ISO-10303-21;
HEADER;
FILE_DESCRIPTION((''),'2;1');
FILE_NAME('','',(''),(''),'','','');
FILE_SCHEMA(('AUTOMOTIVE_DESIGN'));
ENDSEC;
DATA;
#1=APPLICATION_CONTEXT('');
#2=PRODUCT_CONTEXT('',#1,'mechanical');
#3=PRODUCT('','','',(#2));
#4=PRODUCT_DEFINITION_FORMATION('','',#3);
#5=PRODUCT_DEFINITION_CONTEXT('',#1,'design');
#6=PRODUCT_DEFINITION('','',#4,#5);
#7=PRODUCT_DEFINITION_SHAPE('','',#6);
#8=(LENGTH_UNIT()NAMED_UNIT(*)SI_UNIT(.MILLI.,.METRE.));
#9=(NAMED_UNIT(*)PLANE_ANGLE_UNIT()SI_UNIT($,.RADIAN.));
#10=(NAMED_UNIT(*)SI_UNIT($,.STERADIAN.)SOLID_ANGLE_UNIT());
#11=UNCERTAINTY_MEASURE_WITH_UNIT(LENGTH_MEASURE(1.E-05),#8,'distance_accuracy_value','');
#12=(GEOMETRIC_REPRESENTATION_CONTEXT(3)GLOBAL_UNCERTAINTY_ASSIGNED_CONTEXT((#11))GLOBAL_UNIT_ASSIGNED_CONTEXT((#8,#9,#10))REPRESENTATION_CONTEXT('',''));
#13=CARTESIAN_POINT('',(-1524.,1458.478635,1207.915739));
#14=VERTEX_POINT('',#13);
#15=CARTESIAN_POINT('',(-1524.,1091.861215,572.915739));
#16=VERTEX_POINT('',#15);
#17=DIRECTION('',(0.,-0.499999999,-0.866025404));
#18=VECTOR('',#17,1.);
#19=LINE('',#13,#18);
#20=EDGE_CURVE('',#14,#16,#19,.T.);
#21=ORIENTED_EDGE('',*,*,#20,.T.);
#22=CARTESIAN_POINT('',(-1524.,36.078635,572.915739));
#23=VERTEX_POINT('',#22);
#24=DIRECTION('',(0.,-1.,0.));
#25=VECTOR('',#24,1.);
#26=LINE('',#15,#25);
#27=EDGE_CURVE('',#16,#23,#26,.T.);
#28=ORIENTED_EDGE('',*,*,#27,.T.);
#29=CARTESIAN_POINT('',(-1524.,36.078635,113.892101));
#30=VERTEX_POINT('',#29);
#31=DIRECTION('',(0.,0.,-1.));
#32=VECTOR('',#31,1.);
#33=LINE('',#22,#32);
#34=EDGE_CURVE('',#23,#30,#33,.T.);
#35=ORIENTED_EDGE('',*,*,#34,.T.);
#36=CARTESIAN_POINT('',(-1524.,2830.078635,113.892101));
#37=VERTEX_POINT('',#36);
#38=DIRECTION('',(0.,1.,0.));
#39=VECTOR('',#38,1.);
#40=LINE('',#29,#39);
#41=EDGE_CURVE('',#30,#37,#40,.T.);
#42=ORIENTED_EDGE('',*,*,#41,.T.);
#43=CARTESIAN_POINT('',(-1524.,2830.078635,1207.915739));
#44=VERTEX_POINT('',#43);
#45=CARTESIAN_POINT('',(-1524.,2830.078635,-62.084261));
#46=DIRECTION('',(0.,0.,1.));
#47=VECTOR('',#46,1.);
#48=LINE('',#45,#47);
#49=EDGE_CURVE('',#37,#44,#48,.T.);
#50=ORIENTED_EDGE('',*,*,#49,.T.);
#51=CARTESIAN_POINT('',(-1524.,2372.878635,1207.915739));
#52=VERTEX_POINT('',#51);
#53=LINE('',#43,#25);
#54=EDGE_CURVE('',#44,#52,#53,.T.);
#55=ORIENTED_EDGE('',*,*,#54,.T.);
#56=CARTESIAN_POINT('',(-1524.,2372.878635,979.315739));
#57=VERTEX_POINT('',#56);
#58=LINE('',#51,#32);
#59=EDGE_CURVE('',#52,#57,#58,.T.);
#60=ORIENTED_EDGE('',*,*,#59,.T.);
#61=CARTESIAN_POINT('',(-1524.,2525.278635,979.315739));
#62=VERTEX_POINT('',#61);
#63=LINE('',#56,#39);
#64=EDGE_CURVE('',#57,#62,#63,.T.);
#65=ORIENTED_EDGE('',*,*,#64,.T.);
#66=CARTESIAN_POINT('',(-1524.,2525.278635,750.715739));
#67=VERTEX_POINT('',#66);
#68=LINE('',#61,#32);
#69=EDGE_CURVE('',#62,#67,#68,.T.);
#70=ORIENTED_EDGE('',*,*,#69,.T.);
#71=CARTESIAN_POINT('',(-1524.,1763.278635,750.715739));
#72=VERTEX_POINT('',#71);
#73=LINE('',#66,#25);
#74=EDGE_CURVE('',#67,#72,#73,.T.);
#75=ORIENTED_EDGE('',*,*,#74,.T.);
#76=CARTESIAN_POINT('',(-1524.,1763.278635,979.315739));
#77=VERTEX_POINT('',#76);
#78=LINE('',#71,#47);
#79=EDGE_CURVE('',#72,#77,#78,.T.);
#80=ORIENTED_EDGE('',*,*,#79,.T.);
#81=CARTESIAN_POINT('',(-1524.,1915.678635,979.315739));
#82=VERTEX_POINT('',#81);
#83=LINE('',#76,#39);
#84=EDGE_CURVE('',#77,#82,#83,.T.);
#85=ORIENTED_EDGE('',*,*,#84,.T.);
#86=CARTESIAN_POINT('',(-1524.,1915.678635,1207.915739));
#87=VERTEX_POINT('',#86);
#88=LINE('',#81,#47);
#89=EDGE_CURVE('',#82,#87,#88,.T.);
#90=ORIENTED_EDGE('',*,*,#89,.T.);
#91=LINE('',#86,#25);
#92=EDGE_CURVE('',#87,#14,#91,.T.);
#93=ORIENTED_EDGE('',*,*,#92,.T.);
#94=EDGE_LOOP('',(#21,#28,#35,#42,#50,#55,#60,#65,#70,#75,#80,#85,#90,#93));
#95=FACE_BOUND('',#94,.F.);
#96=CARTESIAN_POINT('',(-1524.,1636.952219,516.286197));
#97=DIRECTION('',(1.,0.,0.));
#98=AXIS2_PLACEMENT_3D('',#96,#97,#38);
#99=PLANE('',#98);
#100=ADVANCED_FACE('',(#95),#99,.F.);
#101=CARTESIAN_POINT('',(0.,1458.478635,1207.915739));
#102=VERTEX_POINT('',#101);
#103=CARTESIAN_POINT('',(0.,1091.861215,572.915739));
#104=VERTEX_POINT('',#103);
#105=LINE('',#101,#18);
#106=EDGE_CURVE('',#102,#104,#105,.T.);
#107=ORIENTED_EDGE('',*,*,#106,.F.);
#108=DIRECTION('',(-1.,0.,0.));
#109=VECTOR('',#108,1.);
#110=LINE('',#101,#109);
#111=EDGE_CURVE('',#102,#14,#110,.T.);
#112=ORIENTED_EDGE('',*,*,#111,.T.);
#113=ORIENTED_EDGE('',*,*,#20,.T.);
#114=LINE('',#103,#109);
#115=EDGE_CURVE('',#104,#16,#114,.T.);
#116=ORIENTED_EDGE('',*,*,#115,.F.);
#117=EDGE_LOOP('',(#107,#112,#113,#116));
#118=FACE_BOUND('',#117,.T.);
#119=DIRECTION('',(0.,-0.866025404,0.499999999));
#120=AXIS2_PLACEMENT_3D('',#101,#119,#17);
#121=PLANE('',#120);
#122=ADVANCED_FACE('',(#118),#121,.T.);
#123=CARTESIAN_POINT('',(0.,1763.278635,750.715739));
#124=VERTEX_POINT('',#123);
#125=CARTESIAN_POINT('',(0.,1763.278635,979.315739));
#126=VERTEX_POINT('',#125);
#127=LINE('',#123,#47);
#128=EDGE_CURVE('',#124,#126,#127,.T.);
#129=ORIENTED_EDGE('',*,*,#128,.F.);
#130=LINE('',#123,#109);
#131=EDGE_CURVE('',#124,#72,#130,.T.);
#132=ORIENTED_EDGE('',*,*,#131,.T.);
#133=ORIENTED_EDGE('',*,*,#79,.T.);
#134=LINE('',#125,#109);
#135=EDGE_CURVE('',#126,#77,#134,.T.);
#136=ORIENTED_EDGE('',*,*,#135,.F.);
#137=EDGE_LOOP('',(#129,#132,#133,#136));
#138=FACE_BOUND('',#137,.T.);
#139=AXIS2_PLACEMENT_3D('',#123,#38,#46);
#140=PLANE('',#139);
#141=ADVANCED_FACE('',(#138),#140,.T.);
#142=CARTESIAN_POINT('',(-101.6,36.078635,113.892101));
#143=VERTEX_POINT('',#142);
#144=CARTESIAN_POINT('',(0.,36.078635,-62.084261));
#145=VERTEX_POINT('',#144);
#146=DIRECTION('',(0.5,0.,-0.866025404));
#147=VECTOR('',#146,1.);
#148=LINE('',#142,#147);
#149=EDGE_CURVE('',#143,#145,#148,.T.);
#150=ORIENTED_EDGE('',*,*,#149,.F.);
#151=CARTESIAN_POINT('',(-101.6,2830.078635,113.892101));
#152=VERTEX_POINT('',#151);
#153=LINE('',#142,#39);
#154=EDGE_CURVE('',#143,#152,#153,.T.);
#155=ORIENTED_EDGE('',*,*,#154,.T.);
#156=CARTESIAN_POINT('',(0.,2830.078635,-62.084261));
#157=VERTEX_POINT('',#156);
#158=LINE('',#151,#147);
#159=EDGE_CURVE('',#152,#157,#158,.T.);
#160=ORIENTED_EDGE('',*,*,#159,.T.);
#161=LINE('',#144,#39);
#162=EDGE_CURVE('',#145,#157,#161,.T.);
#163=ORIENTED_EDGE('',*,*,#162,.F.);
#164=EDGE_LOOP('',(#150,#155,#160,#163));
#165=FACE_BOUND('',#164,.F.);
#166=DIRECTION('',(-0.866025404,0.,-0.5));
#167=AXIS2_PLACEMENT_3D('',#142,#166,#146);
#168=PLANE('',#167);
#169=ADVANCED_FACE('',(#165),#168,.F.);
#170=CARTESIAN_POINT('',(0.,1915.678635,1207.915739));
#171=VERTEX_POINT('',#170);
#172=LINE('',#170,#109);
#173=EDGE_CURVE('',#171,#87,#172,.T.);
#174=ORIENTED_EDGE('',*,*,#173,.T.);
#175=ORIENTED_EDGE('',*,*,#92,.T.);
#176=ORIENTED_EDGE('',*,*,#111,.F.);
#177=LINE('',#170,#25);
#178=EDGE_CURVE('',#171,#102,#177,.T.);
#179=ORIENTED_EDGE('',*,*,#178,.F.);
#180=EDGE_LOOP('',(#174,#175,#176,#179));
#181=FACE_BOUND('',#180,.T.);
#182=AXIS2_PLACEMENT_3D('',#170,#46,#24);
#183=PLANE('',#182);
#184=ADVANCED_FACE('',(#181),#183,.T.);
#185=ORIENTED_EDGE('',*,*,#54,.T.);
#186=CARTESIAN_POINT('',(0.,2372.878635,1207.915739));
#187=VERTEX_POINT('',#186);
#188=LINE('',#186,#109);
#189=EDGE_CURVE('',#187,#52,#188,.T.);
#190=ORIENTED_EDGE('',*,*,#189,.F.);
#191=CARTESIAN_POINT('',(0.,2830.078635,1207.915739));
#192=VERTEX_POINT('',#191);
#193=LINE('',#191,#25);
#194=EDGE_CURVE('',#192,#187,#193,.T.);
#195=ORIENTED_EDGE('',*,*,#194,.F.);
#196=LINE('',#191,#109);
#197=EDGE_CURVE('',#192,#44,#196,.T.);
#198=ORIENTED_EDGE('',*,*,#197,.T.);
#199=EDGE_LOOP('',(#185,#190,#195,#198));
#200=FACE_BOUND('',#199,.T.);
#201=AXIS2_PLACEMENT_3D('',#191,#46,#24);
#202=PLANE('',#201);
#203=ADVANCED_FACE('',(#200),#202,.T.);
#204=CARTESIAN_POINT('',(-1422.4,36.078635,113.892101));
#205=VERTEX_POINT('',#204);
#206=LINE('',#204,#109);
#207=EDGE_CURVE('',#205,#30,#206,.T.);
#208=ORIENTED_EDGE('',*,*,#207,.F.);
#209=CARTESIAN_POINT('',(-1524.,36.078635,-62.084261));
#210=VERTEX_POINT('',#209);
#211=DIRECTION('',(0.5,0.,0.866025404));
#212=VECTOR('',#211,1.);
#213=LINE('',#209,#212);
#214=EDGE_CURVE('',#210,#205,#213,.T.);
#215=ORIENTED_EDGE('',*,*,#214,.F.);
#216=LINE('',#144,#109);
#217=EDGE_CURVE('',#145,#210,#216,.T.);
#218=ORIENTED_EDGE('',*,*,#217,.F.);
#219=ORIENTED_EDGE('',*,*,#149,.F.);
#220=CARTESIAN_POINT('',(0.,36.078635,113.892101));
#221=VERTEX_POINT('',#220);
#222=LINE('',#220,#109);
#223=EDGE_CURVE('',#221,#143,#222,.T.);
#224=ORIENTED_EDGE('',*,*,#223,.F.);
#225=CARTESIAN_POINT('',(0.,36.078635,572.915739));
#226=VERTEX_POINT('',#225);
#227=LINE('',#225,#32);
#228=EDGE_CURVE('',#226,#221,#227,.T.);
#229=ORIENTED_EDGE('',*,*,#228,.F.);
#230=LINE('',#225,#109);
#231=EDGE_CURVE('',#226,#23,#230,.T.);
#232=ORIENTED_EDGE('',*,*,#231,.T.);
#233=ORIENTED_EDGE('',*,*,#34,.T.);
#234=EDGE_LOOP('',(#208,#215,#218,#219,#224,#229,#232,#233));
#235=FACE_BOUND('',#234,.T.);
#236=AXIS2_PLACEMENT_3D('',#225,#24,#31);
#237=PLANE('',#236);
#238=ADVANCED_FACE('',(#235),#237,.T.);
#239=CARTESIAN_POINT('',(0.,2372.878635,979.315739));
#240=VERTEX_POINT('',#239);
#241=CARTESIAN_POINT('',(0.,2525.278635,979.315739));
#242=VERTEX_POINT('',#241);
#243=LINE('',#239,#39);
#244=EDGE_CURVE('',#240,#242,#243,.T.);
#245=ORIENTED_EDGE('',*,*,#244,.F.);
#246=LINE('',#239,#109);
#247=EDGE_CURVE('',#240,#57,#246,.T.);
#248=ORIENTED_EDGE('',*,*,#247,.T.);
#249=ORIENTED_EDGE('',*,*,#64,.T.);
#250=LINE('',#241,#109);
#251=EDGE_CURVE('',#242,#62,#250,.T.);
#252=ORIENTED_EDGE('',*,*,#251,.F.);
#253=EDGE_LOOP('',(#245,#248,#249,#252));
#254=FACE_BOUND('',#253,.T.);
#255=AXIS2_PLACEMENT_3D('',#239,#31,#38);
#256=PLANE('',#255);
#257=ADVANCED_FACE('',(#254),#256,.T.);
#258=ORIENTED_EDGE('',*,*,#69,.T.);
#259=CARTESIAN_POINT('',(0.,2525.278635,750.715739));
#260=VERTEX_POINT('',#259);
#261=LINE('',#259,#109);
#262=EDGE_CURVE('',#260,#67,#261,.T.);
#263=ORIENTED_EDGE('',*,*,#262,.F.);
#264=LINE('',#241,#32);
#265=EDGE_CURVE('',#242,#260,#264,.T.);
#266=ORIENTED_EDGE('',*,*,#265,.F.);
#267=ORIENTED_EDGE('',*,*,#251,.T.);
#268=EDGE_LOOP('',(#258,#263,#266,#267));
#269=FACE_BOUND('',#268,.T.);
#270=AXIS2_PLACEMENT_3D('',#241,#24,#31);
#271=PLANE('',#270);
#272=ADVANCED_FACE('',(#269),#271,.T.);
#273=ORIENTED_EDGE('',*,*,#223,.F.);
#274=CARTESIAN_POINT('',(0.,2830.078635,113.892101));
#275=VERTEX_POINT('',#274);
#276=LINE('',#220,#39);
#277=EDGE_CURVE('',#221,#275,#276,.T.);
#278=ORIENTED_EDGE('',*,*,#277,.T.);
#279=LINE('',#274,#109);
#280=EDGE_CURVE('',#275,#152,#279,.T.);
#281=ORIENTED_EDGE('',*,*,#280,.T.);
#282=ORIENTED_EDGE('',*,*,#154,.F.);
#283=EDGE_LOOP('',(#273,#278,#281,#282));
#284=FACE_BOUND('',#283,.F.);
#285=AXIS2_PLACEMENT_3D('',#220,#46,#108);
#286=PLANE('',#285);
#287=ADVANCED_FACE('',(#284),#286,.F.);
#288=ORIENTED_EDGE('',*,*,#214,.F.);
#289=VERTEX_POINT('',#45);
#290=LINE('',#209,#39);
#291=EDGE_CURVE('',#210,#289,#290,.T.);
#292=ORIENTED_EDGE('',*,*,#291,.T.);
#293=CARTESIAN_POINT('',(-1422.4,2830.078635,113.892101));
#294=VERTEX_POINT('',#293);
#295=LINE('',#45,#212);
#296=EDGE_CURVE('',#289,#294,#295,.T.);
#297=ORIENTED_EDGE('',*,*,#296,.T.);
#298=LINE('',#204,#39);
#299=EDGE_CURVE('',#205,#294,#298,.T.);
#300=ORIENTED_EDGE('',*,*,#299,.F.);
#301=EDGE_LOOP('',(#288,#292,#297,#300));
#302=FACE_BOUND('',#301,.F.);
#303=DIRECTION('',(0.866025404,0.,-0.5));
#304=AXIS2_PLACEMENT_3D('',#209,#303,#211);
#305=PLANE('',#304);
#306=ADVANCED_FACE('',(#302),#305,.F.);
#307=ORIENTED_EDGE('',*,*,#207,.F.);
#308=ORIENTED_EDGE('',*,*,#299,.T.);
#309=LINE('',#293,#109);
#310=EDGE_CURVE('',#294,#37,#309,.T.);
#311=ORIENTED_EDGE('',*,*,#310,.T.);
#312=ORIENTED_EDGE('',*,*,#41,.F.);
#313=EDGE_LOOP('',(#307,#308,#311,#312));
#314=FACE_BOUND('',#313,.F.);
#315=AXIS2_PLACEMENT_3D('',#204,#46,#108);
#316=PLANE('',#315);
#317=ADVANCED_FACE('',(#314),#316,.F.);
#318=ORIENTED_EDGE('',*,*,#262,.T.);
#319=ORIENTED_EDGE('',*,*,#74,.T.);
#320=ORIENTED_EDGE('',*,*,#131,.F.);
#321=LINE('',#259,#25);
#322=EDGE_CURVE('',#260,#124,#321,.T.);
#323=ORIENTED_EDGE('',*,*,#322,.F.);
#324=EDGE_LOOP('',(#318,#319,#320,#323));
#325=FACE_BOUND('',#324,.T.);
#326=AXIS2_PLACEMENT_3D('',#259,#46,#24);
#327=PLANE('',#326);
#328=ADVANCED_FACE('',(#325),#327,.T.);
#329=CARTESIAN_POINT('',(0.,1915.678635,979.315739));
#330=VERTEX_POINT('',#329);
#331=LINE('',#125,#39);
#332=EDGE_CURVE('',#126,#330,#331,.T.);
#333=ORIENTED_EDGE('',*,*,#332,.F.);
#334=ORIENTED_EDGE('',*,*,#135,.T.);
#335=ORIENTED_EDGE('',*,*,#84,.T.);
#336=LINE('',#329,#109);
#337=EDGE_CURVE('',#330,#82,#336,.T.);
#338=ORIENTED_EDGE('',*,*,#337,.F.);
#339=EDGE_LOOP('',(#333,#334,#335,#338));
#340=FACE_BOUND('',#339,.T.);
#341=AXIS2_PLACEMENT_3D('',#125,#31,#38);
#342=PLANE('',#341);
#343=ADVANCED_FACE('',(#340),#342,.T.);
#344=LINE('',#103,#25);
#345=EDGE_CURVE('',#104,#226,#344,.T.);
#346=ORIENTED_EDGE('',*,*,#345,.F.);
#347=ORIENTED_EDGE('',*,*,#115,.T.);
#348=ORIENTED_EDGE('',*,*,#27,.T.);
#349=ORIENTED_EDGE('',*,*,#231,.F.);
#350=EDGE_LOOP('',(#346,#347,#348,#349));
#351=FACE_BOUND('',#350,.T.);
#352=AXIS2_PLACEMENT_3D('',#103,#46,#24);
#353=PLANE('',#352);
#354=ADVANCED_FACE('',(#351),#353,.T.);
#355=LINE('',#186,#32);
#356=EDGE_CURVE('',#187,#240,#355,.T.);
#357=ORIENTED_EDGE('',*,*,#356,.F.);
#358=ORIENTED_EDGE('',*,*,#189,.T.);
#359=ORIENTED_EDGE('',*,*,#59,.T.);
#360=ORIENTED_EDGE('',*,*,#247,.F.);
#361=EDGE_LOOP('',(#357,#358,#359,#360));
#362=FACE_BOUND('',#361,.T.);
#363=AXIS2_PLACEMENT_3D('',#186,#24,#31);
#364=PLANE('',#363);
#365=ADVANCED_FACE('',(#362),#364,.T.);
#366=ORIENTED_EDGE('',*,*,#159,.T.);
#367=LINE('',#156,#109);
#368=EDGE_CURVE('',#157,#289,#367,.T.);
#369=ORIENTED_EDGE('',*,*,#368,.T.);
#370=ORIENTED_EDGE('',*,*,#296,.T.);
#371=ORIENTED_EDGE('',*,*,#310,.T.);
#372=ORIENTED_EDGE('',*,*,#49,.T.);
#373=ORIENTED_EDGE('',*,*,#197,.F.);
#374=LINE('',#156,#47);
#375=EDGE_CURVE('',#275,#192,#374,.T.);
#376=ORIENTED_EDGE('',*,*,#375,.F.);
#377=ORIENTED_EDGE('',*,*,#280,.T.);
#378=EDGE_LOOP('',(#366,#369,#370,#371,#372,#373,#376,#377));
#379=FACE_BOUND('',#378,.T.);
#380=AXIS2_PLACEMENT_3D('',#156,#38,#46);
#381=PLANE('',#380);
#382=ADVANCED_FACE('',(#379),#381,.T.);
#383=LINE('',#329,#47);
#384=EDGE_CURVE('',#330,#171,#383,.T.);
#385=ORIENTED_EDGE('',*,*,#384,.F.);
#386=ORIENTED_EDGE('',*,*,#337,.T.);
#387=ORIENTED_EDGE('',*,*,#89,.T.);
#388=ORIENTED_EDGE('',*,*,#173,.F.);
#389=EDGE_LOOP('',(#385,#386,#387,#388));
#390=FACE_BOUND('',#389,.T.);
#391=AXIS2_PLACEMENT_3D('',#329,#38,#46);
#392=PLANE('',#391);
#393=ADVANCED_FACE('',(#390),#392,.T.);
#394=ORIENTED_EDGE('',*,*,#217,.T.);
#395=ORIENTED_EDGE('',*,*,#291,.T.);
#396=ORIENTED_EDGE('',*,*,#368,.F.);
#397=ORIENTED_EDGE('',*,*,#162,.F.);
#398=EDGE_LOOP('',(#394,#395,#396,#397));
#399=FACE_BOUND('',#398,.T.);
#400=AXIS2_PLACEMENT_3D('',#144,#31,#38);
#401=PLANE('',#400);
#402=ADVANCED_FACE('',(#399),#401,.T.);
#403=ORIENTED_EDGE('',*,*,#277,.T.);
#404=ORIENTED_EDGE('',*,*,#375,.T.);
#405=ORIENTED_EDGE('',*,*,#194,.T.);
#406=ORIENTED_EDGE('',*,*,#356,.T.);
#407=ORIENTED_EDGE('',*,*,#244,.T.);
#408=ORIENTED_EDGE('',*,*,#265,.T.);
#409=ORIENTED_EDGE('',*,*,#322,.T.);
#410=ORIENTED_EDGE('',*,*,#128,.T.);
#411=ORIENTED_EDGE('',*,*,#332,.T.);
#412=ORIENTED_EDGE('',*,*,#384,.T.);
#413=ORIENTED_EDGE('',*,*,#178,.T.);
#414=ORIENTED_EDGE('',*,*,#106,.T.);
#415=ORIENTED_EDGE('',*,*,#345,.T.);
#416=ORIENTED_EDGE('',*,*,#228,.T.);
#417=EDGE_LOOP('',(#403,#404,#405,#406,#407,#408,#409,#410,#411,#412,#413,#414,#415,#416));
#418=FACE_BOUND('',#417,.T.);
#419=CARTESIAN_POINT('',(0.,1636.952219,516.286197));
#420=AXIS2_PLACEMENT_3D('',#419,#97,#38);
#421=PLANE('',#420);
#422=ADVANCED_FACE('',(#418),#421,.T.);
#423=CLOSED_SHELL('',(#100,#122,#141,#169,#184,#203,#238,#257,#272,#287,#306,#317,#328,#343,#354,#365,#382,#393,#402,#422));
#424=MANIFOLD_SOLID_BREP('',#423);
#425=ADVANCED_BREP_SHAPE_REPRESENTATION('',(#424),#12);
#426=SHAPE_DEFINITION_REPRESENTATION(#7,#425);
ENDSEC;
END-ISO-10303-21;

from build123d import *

# Parameters (mm, degrees)
F1_DEPTH = 1524
F3_DEPTH = 2794


with BuildPart() as f1:
    # F0 (on Right) → F1 (new body)
    with BuildSketch(Plane.YZ):
        Polygon((36.078635, 572.915739), (36.078635, -62.084261), (2830.078635, -62.084261), (2830.078635, 1207.915739), (2372.878635, 1207.915739), (2372.878635, 979.315739), (2525.278635, 979.315739), (2525.278635, 750.715739), (1763.278635, 750.715739), (1763.278635, 979.315739), (1915.678635, 979.315739), (1915.678635, 1207.915739), (1458.478635, 1207.915739), (1091.861215, 572.915739), align=None)
    extrude(amount=-F1_DEPTH)

    # F2 (on face) → F3 (cut)
    with BuildSketch(Plane.XZ.offset(-36.078635)):
        Polygon((-1524, 113.892101), (-1524, -62.084261), (-1422.4, 113.892101), align=None)
        Polygon((-101.6, 113.892101), (0, -62.084261), (0, 113.892101), align=None)
    extrude(amount=-F3_DEPTH, mode=Mode.SUBTRACT)


solid = f1.part
